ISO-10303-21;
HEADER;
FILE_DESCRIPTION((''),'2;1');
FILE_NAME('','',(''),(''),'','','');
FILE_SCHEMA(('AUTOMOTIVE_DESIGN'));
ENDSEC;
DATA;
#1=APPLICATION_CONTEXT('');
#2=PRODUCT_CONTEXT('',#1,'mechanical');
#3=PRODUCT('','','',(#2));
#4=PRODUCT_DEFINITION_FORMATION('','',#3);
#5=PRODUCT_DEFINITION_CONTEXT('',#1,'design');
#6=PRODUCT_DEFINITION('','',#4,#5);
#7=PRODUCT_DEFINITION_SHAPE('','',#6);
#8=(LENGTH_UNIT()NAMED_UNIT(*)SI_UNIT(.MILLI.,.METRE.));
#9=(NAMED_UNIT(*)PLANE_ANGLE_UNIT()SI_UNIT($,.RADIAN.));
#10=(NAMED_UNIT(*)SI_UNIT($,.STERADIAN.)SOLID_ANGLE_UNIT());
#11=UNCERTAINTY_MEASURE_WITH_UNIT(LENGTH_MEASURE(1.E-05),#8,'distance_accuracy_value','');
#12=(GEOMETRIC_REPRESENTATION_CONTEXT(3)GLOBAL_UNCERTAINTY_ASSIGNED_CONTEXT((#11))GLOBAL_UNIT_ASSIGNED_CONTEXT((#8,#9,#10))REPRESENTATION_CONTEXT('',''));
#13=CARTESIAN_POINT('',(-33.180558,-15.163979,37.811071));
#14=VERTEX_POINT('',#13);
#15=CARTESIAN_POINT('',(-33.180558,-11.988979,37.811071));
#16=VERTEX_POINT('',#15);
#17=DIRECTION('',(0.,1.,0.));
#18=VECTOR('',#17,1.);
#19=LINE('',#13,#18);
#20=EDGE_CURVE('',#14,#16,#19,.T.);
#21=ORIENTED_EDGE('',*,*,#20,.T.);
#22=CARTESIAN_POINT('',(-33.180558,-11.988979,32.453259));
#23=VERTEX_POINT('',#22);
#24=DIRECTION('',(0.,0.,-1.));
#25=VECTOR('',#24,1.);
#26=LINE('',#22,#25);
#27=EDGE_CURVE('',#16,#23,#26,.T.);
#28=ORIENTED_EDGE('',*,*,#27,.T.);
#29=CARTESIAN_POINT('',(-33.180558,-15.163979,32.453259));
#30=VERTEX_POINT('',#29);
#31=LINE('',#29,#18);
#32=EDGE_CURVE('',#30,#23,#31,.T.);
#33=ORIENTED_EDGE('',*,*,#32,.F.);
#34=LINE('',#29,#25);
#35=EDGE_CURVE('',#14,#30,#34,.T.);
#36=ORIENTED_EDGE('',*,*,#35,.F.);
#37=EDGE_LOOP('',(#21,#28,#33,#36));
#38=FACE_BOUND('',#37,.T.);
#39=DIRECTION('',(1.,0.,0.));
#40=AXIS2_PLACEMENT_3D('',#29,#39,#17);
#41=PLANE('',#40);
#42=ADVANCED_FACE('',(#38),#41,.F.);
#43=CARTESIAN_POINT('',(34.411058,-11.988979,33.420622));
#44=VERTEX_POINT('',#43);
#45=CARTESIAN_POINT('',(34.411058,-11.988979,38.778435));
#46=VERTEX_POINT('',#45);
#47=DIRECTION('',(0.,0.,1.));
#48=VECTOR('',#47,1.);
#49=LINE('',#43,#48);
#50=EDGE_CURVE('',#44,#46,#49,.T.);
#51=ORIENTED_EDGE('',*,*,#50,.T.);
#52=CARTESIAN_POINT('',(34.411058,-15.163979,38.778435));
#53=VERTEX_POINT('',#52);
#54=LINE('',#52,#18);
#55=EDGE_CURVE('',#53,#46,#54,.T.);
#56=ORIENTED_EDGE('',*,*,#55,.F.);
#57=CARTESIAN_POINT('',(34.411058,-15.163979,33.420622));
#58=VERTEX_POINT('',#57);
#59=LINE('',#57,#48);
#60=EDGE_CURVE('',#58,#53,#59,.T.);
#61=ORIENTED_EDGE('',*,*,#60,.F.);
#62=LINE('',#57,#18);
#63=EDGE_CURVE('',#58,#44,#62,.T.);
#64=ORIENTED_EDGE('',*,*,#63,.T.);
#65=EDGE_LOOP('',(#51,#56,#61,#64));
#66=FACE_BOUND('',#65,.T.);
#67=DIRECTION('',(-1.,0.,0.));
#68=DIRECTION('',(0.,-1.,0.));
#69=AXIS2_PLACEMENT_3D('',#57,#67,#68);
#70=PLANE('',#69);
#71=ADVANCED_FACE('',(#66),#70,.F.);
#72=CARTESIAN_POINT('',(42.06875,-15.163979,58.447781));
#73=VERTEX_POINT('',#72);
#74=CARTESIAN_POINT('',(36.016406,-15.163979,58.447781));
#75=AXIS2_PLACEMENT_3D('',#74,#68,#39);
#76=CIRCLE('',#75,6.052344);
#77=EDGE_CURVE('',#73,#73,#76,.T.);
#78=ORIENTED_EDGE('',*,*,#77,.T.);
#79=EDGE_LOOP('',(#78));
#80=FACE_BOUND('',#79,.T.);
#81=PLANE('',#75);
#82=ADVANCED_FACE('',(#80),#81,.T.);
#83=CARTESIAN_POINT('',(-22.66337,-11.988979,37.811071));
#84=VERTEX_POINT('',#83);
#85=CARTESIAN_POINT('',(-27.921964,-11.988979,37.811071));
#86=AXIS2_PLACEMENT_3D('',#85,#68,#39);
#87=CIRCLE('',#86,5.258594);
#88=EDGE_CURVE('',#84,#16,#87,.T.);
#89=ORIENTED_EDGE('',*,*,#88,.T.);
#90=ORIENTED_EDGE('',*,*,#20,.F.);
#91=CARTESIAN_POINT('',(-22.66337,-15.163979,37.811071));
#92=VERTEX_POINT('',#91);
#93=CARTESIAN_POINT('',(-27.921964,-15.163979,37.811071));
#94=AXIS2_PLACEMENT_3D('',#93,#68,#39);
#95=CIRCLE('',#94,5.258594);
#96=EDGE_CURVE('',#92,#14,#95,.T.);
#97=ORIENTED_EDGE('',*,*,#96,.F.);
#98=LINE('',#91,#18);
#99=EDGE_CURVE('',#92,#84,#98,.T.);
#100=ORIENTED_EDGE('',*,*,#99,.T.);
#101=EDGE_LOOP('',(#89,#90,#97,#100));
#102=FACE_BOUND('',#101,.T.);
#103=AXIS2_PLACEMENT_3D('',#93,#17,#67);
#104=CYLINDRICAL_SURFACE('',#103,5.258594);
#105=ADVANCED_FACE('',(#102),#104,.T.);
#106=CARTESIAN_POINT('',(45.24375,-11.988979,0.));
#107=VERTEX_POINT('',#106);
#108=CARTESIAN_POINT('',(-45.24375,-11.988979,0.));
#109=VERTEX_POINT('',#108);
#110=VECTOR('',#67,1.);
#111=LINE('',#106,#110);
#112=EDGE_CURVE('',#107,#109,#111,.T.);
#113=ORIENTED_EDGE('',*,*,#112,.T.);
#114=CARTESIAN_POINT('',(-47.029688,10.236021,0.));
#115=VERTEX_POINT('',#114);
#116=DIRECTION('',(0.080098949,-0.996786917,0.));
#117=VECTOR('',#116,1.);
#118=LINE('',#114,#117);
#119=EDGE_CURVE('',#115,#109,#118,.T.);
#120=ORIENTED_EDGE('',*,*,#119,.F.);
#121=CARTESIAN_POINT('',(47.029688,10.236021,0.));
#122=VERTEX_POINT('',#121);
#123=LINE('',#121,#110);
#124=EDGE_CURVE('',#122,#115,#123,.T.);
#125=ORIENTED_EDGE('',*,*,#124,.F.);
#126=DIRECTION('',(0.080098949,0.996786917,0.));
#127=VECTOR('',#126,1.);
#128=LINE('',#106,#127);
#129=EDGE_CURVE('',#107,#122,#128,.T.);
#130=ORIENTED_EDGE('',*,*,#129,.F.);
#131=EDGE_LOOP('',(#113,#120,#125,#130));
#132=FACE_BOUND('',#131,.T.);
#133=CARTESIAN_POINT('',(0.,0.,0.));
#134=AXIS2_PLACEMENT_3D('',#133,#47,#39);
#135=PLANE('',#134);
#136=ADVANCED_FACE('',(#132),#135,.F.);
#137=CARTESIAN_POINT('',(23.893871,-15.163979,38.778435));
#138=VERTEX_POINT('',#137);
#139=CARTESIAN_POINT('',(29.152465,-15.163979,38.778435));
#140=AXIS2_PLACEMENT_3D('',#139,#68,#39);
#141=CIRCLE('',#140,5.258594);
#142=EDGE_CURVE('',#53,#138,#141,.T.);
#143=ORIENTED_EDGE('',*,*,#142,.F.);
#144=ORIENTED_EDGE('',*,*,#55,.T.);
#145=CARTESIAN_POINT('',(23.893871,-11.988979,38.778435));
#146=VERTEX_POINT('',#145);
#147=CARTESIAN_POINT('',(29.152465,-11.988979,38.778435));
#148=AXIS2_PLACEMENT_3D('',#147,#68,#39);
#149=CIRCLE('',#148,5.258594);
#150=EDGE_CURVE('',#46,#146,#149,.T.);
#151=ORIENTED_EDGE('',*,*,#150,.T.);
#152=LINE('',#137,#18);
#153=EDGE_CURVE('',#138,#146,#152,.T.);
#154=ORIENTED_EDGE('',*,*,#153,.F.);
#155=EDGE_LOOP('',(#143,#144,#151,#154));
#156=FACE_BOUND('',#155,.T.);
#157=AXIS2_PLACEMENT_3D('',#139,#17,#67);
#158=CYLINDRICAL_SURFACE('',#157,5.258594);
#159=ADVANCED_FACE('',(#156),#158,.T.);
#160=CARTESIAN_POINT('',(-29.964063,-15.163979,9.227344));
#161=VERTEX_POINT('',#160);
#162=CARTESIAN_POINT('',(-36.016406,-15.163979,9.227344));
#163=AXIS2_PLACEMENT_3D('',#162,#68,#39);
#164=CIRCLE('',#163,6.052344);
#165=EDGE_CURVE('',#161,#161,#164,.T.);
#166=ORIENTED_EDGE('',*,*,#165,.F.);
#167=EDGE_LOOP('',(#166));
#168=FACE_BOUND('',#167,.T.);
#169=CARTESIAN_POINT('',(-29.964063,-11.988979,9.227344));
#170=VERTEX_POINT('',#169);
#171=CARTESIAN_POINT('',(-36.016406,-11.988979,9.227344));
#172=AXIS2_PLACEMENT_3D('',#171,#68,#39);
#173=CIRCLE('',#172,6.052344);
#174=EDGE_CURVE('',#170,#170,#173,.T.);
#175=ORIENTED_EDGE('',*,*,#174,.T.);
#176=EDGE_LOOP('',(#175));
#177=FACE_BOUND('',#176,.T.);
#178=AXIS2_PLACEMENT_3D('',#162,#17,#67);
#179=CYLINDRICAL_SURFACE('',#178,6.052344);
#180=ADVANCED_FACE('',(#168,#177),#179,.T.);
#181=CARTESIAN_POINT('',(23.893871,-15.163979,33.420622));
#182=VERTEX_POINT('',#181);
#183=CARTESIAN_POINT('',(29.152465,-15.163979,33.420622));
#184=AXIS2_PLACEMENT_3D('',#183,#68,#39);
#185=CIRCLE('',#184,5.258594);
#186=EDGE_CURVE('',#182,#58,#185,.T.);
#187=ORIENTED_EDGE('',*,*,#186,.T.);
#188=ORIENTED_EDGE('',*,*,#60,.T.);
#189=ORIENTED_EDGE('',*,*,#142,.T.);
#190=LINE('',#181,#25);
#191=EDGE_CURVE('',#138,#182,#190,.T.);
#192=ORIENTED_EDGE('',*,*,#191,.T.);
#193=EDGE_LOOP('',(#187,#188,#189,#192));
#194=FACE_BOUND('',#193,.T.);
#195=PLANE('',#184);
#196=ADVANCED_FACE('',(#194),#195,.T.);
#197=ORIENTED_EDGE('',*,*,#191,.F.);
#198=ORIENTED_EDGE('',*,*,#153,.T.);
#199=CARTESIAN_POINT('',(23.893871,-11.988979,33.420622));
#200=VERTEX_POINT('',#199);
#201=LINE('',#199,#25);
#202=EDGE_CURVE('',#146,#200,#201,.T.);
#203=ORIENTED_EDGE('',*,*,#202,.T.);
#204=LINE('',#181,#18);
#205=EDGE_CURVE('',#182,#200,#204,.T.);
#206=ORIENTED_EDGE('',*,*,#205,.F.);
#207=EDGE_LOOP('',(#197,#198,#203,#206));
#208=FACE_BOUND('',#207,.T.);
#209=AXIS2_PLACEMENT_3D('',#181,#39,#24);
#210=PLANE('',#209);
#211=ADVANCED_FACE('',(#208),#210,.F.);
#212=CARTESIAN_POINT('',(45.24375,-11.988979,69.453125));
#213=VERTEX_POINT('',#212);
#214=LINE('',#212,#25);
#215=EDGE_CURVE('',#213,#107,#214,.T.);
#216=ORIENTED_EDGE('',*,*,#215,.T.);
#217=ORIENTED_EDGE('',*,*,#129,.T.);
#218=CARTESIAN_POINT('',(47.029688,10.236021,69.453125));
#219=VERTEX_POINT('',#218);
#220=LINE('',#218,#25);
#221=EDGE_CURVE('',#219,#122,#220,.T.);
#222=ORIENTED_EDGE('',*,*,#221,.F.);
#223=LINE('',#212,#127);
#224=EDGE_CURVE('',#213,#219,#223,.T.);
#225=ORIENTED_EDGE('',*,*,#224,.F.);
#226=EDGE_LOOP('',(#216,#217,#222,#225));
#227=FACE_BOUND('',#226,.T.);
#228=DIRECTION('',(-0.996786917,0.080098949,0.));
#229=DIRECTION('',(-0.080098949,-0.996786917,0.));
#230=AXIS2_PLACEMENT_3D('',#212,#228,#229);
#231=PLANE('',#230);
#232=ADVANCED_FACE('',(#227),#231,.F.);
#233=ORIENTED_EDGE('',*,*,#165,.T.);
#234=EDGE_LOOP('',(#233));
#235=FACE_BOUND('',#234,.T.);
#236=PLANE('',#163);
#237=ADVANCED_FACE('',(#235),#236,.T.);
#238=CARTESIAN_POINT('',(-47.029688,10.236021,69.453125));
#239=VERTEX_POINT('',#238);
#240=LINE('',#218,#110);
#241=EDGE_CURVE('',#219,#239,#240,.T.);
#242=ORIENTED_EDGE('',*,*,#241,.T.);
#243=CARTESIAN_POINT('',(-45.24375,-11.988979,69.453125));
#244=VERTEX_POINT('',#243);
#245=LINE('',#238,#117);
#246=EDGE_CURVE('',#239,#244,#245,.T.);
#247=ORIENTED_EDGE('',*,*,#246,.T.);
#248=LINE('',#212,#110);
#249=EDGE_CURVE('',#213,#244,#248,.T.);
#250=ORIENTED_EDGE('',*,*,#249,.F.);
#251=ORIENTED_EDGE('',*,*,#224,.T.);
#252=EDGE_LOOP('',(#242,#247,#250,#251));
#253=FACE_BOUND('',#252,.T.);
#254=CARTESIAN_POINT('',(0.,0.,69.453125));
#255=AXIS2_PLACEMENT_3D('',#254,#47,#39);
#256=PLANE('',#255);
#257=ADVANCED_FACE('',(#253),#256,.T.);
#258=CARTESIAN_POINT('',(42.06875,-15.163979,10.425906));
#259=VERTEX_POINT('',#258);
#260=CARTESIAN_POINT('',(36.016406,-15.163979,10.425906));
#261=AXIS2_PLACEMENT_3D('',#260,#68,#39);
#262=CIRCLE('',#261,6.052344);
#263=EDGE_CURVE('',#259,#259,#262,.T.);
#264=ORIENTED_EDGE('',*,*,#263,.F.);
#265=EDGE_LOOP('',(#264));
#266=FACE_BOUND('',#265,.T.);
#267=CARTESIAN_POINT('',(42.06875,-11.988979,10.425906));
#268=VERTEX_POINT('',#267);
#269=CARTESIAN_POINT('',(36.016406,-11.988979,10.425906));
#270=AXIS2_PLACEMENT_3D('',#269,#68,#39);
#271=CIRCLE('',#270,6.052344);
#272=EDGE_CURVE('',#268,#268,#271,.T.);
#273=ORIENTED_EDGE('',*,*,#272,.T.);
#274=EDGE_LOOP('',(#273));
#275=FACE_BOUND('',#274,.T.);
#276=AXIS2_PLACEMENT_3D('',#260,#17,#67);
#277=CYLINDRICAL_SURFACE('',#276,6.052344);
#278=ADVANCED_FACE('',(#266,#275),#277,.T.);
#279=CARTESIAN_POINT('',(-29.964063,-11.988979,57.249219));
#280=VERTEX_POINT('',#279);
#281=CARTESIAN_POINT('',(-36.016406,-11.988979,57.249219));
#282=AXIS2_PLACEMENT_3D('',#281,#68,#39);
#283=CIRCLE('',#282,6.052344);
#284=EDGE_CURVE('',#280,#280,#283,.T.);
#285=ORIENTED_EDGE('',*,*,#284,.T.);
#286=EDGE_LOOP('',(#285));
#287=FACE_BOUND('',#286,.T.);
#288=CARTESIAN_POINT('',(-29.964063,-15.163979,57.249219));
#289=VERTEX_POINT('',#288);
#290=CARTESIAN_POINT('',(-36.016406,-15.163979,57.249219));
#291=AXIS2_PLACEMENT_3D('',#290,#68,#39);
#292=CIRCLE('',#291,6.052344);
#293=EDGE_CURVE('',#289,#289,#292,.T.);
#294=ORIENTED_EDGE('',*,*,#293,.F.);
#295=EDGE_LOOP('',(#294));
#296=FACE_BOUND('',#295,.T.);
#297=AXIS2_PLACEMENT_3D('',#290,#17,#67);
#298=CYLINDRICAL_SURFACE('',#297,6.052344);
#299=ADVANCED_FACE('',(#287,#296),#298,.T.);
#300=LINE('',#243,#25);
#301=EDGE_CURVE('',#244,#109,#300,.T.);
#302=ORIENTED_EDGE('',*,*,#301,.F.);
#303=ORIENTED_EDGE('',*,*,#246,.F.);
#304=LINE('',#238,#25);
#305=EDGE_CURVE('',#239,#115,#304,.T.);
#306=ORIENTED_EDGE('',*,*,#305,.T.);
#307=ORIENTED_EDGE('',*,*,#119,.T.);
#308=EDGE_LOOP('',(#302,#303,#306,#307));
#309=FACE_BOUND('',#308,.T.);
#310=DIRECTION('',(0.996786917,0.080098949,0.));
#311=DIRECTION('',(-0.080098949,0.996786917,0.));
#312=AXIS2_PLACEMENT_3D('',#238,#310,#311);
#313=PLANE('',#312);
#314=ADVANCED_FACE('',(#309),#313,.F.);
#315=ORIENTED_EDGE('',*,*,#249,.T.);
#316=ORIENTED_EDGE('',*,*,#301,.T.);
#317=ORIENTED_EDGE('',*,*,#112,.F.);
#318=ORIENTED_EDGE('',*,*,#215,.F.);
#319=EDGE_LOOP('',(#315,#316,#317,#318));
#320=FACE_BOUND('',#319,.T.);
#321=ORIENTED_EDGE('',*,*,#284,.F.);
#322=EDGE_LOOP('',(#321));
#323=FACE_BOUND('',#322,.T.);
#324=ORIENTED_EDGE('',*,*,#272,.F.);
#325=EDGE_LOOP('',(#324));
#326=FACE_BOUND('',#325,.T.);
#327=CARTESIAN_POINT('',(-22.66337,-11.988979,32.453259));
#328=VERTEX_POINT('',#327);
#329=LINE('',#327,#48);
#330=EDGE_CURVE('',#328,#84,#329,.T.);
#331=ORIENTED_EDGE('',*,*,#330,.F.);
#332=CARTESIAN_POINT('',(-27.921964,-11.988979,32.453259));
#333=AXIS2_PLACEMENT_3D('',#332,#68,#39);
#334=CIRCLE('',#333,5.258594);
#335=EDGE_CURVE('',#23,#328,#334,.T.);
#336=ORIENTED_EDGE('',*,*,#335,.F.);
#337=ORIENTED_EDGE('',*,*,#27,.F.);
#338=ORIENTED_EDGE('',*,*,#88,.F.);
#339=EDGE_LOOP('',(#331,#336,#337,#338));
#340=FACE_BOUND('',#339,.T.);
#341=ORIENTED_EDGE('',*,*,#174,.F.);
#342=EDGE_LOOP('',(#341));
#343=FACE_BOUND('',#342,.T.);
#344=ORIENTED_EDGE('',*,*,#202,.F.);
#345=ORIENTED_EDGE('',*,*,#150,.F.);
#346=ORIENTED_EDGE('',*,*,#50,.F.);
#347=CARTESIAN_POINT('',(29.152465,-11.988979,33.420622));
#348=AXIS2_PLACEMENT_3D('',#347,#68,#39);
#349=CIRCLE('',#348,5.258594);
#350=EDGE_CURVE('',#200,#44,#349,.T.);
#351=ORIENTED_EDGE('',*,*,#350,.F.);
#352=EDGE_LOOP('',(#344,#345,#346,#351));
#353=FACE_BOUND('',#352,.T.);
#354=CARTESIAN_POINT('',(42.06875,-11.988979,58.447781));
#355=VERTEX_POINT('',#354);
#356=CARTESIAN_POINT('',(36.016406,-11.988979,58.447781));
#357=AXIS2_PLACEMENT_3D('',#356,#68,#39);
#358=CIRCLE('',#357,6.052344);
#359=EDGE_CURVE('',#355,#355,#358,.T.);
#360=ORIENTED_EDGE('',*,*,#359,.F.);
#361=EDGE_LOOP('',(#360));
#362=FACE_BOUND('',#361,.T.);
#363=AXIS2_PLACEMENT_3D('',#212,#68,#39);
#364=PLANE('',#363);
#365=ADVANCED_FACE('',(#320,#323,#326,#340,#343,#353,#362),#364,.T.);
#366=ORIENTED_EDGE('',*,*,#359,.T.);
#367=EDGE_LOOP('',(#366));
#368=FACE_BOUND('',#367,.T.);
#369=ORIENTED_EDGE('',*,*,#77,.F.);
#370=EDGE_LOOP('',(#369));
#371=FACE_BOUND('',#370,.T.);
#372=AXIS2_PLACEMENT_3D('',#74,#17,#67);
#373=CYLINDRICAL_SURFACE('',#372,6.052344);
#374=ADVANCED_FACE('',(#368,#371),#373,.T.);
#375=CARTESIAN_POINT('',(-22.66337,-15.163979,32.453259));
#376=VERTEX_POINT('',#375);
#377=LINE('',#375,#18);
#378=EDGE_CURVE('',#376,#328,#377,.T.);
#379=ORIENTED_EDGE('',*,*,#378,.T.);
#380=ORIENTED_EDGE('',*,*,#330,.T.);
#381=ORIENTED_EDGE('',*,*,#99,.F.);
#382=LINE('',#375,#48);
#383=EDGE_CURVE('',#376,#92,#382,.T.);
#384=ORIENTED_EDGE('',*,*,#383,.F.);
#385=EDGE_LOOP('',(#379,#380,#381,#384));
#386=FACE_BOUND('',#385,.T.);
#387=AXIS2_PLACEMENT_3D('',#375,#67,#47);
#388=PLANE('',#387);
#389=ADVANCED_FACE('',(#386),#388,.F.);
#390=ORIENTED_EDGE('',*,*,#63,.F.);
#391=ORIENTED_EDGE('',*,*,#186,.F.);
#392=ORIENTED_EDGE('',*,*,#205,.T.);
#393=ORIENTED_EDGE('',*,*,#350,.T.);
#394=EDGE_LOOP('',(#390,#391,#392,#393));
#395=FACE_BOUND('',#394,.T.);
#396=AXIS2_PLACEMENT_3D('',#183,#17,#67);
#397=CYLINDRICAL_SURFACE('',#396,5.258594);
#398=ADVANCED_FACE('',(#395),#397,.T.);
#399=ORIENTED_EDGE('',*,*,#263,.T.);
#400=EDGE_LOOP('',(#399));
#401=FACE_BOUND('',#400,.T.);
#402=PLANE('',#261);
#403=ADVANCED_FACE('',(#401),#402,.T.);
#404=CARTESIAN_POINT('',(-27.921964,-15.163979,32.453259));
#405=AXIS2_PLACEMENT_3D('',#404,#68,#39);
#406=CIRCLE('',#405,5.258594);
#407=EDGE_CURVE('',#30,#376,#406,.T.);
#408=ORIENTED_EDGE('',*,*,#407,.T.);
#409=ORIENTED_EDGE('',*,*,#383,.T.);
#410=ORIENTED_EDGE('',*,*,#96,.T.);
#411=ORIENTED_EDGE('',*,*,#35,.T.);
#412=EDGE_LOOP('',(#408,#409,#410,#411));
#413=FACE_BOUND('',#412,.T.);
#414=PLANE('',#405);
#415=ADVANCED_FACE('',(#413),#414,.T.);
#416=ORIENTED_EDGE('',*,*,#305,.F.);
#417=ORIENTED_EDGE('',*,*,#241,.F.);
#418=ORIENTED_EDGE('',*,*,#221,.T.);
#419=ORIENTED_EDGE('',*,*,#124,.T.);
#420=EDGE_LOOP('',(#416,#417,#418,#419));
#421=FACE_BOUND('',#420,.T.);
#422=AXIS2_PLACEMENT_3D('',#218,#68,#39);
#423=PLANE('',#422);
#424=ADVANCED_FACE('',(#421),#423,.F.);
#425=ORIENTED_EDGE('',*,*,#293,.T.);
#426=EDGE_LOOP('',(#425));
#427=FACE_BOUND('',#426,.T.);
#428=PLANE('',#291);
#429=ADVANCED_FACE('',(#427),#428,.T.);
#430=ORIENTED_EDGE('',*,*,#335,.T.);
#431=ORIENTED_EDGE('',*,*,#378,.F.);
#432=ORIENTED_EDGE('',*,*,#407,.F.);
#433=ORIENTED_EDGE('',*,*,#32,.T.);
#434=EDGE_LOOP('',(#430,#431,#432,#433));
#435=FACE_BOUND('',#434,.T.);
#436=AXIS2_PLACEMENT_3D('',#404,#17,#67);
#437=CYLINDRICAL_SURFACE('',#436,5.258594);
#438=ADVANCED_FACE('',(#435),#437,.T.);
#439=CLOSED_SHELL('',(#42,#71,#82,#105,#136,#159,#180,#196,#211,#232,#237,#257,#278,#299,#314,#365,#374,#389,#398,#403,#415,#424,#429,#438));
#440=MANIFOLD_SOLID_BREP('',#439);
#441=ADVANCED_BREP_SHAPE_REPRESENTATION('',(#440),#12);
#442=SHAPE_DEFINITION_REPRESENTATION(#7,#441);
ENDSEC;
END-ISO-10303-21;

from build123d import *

# Parameters (mm, degrees)
BOSS_EXTRUDE1_DEPTH = 69.453125
SKETCH3_R           = 6.05234375
BOSS_EXTRUDE2_DEPTH = 3.175


with BuildPart() as part:
    # Sketch2 → Boss-Extrude1 (new body)
    with BuildSketch(Plane.XY):
        Polygon((45.24375, -11.988978873), (-45.24375, -11.988978873), (-47.0296875, 10.236021127), (47.0296875, 10.236021127), align=None)
    extrude(amount=BOSS_EXTRUDE1_DEPTH)

    # Sketch3 → Boss-Extrude2 (add)
    with BuildSketch(Plane.XZ.offset(11.988978873)):
        with Locations((36.01640625, 10.42590625)):
            Circle(SKETCH3_R)
        with Locations((-36.01640625, 9.22734375)):
            Circle(SKETCH3_R)
        with Locations((-36.01640625, 57.24921875)):
            Circle(SKETCH3_R)
        with Locations((36.01640625, 58.44778125)):
            Circle(SKETCH3_R)
        with BuildLine():
            Line((23.893870965, 33.420622184), (23.893870965, 38.778434684))
            ThreePointArc((23.893870965, 38.778434684), (29.152464715, 44.037028434), (34.411058465, 38.778434684))
            Line((34.411058465, 38.778434684), (34.411058465, 33.420622184))
            ThreePointArc((34.411058465, 33.420622184), (29.152464715, 28.162028434), (23.893870965, 33.420622184))
        make_face()
        with BuildLine():
            Line((-33.180557656, 32.453258987), (-33.180557656, 37.811071487))
            ThreePointArc((-33.180557656, 37.811071487), (-27.921963906, 43.069665237), (-22.663370156, 37.811071487))
            Line((-22.663370156, 37.811071487), (-22.663370156, 32.453258987))
            ThreePointArc((-22.663370156, 32.453258987), (-27.921963906, 27.194665237), (-33.180557656, 32.453258987))
        make_face()
    extrude(amount=BOSS_EXTRUDE2_DEPTH)


solid = part.part
